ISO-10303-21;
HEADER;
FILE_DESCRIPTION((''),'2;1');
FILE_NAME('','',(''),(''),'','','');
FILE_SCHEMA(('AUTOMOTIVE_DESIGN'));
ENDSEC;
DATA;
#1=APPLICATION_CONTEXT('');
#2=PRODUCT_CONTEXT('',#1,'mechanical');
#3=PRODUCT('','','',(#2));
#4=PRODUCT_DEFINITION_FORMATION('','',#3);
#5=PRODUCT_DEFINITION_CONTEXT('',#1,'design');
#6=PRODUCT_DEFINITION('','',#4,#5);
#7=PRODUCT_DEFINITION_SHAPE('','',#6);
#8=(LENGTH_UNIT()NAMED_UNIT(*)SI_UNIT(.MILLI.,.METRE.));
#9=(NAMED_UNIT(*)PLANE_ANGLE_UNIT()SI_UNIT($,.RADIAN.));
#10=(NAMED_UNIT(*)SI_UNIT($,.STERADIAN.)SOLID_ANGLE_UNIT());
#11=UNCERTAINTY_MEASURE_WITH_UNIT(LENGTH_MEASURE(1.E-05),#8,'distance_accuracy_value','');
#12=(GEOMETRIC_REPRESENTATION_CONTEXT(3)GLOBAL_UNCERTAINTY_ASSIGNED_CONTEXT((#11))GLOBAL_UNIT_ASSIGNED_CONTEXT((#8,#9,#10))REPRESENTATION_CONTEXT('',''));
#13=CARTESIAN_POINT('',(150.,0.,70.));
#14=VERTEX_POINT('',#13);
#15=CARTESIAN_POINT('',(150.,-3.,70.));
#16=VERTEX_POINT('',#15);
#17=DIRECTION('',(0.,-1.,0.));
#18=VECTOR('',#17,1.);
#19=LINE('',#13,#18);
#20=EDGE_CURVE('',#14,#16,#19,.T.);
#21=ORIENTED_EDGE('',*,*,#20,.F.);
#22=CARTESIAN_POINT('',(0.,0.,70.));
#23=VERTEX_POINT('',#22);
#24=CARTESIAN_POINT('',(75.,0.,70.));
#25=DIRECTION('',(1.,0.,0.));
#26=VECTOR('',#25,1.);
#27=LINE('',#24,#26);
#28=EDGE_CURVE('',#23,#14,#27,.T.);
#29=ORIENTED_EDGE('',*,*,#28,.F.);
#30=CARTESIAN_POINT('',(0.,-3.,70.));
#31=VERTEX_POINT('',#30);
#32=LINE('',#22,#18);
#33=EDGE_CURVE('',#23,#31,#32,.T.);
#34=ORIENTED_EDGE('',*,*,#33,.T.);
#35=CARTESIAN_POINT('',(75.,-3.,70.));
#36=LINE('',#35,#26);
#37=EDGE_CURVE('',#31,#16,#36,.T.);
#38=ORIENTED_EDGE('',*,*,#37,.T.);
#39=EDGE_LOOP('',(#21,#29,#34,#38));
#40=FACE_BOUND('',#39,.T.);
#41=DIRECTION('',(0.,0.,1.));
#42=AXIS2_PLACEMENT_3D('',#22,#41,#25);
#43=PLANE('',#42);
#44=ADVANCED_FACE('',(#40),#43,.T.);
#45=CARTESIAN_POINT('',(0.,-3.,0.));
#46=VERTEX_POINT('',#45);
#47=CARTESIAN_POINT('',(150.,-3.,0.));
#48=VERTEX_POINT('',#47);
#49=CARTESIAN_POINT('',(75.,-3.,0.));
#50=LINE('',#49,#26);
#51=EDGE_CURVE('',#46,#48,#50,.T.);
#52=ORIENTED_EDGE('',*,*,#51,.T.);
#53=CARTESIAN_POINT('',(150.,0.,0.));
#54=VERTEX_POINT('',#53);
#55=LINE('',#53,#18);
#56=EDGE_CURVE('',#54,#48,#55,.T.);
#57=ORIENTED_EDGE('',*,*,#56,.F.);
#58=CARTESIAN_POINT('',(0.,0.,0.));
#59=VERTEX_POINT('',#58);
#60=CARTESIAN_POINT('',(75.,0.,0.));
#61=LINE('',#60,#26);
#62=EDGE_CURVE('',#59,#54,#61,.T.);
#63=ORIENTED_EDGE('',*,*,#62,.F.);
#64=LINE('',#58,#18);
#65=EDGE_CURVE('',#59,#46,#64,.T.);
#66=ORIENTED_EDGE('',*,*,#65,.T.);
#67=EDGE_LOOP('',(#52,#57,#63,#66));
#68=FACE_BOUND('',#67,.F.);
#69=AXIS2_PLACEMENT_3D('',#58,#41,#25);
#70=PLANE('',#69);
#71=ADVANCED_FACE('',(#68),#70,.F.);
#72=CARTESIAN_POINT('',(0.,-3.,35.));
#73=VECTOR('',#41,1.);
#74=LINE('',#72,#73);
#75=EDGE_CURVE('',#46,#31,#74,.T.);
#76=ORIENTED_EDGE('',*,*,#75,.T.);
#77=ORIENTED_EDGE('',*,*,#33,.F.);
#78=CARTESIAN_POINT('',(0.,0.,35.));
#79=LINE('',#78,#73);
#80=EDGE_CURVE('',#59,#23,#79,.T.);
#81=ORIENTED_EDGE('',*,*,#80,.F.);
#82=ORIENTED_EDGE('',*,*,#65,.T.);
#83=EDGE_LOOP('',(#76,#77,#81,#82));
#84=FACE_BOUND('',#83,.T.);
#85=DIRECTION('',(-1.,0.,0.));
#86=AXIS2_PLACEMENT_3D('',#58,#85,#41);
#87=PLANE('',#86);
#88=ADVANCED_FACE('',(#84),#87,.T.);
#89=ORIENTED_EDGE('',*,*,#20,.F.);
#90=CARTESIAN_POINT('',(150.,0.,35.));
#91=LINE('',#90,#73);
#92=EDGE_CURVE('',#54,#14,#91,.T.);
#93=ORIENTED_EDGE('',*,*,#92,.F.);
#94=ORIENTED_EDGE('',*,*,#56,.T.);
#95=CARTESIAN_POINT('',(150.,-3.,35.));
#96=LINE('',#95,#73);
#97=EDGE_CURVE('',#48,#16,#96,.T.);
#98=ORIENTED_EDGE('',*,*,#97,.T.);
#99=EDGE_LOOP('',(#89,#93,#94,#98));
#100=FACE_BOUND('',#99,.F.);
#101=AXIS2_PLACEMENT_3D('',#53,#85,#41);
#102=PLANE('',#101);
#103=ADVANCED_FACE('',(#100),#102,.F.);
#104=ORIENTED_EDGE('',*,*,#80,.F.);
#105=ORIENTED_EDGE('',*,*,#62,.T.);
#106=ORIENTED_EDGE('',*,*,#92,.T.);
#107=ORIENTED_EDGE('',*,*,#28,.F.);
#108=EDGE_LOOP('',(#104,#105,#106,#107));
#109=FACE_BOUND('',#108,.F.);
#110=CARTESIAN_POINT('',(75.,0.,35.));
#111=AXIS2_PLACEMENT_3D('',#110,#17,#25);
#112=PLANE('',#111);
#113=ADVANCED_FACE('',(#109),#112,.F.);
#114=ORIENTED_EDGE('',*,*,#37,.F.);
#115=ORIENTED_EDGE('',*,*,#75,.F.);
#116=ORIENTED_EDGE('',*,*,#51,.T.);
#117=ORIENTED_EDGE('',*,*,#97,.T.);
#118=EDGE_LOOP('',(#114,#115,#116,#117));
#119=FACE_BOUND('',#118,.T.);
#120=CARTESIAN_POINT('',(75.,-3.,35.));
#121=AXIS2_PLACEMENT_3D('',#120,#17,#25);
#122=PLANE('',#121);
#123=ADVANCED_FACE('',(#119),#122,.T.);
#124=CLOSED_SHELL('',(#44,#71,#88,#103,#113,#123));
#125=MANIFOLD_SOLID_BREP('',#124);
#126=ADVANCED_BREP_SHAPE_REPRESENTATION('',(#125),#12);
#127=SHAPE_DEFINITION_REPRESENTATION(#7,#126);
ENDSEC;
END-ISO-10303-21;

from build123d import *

# Parameters (mm, degrees)
F0_W     = 150
F0_H     = 70
F1_DEPTH = 3
F2_R     = 22.5
F3_DEPTH = 5


with BuildPart() as f1:
    # F0 (on Front) → F1 (new body)
    with BuildSketch(Plane.XZ):
        with Locations((75, 35)):
            Rectangle(F0_W, F0_H)
    extrude(amount=F1_DEPTH)

    # F2 (on face) → F3 (cut)
    with BuildSketch(Plane.XZ.offset(3)):
        with Locations((35, 35)):
            Circle(F2_R)
    extrude(amount=F3_DEPTH, mode=Mode.SUBTRACT)


solid = f1.part
